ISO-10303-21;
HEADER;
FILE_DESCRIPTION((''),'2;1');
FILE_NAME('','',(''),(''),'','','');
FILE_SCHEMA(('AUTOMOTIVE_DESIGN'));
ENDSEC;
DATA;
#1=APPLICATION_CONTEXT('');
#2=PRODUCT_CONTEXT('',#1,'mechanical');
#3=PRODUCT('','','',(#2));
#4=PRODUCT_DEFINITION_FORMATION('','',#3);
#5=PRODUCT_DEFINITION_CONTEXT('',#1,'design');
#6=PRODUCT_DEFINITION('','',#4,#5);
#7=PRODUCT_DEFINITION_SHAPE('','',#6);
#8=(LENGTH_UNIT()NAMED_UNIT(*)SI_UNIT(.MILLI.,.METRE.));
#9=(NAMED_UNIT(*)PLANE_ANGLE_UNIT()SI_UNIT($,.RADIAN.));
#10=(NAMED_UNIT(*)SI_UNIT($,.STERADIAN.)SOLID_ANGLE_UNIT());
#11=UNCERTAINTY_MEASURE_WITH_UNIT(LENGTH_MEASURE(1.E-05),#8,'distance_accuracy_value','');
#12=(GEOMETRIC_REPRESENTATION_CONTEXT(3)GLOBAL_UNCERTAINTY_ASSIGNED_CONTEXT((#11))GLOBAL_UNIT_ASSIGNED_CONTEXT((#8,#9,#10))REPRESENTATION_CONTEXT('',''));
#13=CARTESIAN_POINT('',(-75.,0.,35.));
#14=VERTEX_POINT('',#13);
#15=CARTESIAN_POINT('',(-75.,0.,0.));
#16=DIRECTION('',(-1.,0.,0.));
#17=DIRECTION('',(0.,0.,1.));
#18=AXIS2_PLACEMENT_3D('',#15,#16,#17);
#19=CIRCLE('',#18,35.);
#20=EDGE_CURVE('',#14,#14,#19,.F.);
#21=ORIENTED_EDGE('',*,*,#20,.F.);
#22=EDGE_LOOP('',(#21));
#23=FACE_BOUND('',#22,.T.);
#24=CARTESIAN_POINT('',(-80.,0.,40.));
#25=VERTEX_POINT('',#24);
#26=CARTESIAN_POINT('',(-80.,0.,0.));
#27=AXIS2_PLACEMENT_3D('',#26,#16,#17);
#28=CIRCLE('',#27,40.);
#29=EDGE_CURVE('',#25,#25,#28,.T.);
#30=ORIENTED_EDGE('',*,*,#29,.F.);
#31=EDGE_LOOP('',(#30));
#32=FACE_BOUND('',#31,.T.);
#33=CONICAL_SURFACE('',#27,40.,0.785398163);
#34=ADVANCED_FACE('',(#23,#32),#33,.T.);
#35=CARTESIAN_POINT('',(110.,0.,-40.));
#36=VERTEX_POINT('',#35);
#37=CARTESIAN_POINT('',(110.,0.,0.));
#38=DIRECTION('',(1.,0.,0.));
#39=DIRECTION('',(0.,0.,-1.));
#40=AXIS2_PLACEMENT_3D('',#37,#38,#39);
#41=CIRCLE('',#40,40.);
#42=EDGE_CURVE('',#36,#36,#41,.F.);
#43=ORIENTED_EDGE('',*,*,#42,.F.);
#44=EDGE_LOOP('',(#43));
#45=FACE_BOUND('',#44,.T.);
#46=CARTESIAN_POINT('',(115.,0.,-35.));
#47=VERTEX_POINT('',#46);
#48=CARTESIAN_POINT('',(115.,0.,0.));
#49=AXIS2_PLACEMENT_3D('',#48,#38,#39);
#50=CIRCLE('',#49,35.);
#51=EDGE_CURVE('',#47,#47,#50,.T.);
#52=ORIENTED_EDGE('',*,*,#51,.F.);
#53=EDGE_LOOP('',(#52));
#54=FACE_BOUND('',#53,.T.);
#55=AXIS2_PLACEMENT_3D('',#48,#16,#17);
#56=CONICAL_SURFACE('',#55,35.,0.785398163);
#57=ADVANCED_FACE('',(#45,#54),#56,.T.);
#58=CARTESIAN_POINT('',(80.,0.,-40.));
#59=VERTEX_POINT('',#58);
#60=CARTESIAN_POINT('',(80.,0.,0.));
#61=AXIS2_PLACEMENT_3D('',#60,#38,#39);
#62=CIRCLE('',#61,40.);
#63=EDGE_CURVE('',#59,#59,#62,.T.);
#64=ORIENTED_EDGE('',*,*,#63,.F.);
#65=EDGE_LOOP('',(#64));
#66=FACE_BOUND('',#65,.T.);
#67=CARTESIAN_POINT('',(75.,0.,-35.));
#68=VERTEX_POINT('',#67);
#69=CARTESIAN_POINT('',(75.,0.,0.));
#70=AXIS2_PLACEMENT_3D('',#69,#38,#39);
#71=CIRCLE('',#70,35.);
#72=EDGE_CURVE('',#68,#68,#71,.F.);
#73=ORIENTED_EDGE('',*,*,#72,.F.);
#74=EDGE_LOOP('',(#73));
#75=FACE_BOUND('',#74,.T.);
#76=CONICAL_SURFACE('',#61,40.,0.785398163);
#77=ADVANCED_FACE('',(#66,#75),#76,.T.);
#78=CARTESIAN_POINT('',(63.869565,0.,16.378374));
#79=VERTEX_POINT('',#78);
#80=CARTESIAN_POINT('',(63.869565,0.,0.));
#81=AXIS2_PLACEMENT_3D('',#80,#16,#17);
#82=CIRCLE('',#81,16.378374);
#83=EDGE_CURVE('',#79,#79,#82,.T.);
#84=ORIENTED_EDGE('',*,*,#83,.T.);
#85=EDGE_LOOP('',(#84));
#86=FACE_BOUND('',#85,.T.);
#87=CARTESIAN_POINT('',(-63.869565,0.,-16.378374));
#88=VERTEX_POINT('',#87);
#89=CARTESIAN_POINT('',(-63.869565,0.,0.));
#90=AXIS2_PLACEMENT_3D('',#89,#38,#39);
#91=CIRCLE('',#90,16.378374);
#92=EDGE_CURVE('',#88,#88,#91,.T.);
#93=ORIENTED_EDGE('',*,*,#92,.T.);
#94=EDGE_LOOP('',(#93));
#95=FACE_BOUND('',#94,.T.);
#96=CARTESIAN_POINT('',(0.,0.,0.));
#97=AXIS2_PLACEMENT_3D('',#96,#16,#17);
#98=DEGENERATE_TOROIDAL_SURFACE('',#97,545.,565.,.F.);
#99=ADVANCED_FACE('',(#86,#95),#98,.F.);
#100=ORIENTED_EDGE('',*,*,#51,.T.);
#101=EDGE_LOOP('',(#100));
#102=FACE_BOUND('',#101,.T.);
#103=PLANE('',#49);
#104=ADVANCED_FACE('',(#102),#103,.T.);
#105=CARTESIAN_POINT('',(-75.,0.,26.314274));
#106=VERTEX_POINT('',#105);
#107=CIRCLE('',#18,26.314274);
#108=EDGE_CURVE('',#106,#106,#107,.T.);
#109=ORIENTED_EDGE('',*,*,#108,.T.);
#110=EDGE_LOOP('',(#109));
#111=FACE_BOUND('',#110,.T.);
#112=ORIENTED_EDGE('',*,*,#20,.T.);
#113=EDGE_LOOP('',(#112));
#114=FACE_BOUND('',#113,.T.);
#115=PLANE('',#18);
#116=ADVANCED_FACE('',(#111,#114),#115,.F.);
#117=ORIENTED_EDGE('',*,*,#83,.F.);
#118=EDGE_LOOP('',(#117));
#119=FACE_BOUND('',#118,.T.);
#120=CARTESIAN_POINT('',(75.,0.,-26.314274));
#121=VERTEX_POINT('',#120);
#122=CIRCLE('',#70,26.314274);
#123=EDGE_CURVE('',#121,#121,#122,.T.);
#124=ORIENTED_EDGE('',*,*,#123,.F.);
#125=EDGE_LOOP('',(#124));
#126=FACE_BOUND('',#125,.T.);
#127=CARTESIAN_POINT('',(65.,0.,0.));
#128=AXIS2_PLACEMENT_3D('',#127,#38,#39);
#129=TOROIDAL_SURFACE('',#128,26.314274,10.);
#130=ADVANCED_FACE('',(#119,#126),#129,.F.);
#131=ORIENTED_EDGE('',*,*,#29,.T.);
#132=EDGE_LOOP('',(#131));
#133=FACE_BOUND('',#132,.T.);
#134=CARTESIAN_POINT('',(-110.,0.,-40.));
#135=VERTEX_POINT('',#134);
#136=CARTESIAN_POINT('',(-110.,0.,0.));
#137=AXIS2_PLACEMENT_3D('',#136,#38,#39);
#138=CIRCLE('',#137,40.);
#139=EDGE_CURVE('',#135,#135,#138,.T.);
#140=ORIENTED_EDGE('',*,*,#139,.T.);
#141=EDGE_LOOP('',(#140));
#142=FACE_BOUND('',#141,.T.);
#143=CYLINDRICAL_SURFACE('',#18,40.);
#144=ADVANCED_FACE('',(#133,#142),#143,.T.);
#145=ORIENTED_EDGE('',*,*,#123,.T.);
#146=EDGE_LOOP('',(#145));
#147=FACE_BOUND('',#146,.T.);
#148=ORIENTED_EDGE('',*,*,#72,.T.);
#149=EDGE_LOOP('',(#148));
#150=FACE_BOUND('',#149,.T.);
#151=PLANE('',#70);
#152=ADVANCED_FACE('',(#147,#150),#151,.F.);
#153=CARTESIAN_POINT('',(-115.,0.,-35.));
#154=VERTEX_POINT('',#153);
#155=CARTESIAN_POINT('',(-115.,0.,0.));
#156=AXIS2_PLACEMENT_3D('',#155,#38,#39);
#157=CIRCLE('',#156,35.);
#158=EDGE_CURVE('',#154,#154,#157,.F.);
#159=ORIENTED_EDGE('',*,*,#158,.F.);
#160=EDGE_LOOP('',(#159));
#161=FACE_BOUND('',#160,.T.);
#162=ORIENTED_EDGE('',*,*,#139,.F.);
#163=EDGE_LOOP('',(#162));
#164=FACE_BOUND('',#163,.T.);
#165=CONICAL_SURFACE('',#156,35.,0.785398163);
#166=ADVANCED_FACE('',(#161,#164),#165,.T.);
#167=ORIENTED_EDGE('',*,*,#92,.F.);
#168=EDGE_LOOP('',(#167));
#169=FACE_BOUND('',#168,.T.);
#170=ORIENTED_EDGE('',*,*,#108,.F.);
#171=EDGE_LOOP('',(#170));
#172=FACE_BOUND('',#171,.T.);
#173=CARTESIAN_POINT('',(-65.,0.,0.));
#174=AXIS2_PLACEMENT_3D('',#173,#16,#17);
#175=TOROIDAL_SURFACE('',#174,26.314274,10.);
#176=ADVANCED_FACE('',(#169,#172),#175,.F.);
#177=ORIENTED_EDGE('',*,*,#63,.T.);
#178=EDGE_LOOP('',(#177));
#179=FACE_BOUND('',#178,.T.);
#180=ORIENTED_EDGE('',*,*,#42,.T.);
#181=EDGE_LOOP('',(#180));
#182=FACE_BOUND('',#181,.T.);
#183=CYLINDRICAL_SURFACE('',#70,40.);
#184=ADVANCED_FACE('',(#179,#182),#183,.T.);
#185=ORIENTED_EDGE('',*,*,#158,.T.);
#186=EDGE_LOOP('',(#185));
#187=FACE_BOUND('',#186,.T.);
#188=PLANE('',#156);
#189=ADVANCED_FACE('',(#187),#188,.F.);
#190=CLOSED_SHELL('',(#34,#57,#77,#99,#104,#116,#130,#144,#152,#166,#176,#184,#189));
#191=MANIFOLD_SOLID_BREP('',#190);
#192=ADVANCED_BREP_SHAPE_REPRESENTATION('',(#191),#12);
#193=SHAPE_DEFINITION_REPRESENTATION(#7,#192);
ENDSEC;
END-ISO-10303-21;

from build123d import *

# Parameters (mm, degrees)
SKETCH1_R           = 15
BOSS_EXTRUDE1_DEPTH = 115
SKETCH2_R           = 40
BOSS_EXTRUDE2_DEPTH = 40
BOSS_EXTRUDE3_START = -40
SKETCH3_R           = 40
BOSS_EXTRUDE3_DEPTH = 40
CHAMFER1_SIZE       = 5
FILLET1_R           = 10


with BuildPart() as part:
    # Sketch1 → Boss-Extrude1 (new, symmetric)
    with BuildSketch(Plane(origin=(0, 0, 0), x_dir=(0, 0, -1), z_dir=(1, 0, 0))):
        Circle(SKETCH1_R)
    extrude(amount=BOSS_EXTRUDE1_DEPTH, both=True)

    # Sketch2 → Boss-Extrude2 (add)
    with BuildSketch(Plane(origin=(115, 0, 0), x_dir=(0, 0, -1), z_dir=(1, 0, 0))):
        Circle(SKETCH2_R)
    extrude(amount=-BOSS_EXTRUDE2_DEPTH)

    # Sketch3 → Boss-Extrude3 (add)
    with BuildSketch(Plane.ZY.offset(115).offset(BOSS_EXTRUDE3_START)):
        with Locations(Location((0, 0, 0), (0, 0, 180))):
            Circle(SKETCH3_R)
    extrude(amount=BOSS_EXTRUDE3_DEPTH)

    # Sketch5 → Revolve1 (revolve)
    with BuildSketch(Plane.XY, mode=Mode.PRIVATE) as revolve1_sk:
        with BuildLine():
            Line((-75, 15), (75, 15))
            ThreePointArc((75, 15), (0, 20), (-75, 15))
        make_face()
    revolve(revolve1_sk.sketch.rotate(Axis((-125.396729405, 0, 0), (1, 0, 0)), 90), axis=Axis((-125.396729405, 0, 0), (1, 0, 0)))

    # Chamfer1
    chamfer1_edges = [part.edges().sort_by_distance(p)[0] for p in [
        (-75, 0, 40),
        (-115, 0, 40),
        (75, 0, 40),
        (115, 0, 40),
    ]]
    chamfer(chamfer1_edges, length=CHAMFER1_SIZE)

    # Fillet1
    fillet1_edges = [part.edges().sort_by_distance(p)[0] for p in [
        (75, 0, -15),
        (-75, 0, -15),
    ]]
    fillet(fillet1_edges, radius=FILLET1_R)


solid = part.part
